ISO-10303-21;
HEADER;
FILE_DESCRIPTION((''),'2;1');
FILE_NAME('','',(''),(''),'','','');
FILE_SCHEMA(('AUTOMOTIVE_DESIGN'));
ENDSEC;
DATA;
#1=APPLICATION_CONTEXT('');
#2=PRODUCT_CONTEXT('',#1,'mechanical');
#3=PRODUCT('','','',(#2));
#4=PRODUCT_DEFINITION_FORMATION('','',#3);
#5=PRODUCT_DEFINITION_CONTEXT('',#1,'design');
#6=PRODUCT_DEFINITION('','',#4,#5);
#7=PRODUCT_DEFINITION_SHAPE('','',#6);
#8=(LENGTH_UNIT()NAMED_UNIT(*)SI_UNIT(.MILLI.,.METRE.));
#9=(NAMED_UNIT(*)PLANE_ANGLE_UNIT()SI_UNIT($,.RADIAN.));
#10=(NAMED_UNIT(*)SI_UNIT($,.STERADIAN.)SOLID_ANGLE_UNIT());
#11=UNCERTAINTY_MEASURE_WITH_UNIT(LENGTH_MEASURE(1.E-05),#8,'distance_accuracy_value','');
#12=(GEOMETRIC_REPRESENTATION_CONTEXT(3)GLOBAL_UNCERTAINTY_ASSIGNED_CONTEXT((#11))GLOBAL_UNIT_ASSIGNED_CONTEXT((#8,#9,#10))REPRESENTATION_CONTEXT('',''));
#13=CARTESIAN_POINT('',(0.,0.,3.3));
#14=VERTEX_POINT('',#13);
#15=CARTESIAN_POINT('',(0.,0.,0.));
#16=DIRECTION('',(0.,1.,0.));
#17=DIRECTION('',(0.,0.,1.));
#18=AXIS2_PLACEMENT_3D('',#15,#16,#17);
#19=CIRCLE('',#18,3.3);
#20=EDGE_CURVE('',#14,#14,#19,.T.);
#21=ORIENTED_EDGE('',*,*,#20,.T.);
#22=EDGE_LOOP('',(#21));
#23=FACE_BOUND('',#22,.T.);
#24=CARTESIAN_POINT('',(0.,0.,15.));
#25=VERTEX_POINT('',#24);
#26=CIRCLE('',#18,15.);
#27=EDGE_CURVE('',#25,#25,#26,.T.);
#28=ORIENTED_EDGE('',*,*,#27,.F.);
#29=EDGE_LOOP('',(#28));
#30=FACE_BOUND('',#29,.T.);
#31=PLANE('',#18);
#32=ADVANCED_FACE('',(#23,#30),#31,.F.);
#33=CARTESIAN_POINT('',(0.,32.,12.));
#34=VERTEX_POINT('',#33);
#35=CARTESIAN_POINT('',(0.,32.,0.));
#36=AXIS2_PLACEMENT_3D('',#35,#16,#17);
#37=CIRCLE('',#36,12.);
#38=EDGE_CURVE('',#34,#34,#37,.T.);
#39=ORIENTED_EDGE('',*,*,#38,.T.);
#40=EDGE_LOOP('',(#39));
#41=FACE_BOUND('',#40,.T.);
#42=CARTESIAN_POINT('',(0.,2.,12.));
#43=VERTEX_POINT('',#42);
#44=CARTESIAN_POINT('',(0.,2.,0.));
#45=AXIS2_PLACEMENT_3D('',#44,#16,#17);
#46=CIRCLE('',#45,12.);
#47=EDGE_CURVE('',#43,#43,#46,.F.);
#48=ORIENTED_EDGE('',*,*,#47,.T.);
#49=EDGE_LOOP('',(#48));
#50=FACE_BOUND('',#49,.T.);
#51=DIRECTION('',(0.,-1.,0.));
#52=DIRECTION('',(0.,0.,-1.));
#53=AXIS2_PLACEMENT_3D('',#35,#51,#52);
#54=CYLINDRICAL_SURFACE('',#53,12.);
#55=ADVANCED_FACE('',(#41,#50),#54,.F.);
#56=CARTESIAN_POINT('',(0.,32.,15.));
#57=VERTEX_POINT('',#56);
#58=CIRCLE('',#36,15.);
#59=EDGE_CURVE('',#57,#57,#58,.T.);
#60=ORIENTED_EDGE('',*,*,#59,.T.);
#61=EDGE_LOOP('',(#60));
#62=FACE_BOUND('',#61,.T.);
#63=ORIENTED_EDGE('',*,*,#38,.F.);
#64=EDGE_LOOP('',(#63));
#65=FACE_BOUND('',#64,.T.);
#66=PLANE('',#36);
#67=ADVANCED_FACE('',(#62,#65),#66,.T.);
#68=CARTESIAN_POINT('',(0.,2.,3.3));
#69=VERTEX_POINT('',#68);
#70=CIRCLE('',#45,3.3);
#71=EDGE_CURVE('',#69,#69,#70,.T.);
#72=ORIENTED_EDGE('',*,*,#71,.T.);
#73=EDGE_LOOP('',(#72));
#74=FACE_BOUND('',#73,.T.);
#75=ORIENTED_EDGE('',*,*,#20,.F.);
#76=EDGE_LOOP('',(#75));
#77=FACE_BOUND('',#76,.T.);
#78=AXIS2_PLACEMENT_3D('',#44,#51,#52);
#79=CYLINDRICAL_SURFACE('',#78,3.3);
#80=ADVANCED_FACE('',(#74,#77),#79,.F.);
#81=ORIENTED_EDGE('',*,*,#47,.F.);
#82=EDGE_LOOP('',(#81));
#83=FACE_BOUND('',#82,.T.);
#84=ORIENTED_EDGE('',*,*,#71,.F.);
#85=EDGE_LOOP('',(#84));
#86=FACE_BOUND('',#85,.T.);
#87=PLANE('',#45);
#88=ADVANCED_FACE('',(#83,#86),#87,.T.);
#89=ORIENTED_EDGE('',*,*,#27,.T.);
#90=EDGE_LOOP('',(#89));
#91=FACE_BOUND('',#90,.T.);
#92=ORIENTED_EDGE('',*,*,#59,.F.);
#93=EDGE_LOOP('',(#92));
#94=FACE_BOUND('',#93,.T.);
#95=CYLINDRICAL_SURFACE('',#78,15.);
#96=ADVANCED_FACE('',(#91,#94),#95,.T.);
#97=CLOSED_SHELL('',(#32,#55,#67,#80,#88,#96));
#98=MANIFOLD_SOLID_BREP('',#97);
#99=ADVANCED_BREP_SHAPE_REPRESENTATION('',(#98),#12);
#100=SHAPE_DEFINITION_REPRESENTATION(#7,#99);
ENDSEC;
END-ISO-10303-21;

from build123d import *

# Parameters (mm, degrees)
SKETCH1_R           = 15
SKETCH1_R_2         = 3.3
BOSS_EXTRUDE1_DEPTH = 2
SKETCH1_3_R         = 15
SKETCH1_3_R_2       = 12
BOSS_EXTRUDE2_DEPTH = 32


with BuildPart() as part:
    # Sketch1 → Boss-Extrude1 (new body)
    with BuildSketch(Plane(origin=(0, 0, 0), x_dir=(1, 0, 0), z_dir=(0, 1, 0))):
        Circle(SKETCH1_R)
        Circle(SKETCH1_R_2, mode=Mode.SUBTRACT)
    extrude(amount=BOSS_EXTRUDE1_DEPTH)

    # Sketch1<3> → Boss-Extrude2 (add)
    with BuildSketch(Plane(origin=(0, 0, 0), x_dir=(1, 0, 0), z_dir=(0, 1, 0))):
        Circle(SKETCH1_3_R)
        Circle(SKETCH1_3_R_2, mode=Mode.SUBTRACT)
    extrude(amount=BOSS_EXTRUDE2_DEPTH)


solid = part.part
